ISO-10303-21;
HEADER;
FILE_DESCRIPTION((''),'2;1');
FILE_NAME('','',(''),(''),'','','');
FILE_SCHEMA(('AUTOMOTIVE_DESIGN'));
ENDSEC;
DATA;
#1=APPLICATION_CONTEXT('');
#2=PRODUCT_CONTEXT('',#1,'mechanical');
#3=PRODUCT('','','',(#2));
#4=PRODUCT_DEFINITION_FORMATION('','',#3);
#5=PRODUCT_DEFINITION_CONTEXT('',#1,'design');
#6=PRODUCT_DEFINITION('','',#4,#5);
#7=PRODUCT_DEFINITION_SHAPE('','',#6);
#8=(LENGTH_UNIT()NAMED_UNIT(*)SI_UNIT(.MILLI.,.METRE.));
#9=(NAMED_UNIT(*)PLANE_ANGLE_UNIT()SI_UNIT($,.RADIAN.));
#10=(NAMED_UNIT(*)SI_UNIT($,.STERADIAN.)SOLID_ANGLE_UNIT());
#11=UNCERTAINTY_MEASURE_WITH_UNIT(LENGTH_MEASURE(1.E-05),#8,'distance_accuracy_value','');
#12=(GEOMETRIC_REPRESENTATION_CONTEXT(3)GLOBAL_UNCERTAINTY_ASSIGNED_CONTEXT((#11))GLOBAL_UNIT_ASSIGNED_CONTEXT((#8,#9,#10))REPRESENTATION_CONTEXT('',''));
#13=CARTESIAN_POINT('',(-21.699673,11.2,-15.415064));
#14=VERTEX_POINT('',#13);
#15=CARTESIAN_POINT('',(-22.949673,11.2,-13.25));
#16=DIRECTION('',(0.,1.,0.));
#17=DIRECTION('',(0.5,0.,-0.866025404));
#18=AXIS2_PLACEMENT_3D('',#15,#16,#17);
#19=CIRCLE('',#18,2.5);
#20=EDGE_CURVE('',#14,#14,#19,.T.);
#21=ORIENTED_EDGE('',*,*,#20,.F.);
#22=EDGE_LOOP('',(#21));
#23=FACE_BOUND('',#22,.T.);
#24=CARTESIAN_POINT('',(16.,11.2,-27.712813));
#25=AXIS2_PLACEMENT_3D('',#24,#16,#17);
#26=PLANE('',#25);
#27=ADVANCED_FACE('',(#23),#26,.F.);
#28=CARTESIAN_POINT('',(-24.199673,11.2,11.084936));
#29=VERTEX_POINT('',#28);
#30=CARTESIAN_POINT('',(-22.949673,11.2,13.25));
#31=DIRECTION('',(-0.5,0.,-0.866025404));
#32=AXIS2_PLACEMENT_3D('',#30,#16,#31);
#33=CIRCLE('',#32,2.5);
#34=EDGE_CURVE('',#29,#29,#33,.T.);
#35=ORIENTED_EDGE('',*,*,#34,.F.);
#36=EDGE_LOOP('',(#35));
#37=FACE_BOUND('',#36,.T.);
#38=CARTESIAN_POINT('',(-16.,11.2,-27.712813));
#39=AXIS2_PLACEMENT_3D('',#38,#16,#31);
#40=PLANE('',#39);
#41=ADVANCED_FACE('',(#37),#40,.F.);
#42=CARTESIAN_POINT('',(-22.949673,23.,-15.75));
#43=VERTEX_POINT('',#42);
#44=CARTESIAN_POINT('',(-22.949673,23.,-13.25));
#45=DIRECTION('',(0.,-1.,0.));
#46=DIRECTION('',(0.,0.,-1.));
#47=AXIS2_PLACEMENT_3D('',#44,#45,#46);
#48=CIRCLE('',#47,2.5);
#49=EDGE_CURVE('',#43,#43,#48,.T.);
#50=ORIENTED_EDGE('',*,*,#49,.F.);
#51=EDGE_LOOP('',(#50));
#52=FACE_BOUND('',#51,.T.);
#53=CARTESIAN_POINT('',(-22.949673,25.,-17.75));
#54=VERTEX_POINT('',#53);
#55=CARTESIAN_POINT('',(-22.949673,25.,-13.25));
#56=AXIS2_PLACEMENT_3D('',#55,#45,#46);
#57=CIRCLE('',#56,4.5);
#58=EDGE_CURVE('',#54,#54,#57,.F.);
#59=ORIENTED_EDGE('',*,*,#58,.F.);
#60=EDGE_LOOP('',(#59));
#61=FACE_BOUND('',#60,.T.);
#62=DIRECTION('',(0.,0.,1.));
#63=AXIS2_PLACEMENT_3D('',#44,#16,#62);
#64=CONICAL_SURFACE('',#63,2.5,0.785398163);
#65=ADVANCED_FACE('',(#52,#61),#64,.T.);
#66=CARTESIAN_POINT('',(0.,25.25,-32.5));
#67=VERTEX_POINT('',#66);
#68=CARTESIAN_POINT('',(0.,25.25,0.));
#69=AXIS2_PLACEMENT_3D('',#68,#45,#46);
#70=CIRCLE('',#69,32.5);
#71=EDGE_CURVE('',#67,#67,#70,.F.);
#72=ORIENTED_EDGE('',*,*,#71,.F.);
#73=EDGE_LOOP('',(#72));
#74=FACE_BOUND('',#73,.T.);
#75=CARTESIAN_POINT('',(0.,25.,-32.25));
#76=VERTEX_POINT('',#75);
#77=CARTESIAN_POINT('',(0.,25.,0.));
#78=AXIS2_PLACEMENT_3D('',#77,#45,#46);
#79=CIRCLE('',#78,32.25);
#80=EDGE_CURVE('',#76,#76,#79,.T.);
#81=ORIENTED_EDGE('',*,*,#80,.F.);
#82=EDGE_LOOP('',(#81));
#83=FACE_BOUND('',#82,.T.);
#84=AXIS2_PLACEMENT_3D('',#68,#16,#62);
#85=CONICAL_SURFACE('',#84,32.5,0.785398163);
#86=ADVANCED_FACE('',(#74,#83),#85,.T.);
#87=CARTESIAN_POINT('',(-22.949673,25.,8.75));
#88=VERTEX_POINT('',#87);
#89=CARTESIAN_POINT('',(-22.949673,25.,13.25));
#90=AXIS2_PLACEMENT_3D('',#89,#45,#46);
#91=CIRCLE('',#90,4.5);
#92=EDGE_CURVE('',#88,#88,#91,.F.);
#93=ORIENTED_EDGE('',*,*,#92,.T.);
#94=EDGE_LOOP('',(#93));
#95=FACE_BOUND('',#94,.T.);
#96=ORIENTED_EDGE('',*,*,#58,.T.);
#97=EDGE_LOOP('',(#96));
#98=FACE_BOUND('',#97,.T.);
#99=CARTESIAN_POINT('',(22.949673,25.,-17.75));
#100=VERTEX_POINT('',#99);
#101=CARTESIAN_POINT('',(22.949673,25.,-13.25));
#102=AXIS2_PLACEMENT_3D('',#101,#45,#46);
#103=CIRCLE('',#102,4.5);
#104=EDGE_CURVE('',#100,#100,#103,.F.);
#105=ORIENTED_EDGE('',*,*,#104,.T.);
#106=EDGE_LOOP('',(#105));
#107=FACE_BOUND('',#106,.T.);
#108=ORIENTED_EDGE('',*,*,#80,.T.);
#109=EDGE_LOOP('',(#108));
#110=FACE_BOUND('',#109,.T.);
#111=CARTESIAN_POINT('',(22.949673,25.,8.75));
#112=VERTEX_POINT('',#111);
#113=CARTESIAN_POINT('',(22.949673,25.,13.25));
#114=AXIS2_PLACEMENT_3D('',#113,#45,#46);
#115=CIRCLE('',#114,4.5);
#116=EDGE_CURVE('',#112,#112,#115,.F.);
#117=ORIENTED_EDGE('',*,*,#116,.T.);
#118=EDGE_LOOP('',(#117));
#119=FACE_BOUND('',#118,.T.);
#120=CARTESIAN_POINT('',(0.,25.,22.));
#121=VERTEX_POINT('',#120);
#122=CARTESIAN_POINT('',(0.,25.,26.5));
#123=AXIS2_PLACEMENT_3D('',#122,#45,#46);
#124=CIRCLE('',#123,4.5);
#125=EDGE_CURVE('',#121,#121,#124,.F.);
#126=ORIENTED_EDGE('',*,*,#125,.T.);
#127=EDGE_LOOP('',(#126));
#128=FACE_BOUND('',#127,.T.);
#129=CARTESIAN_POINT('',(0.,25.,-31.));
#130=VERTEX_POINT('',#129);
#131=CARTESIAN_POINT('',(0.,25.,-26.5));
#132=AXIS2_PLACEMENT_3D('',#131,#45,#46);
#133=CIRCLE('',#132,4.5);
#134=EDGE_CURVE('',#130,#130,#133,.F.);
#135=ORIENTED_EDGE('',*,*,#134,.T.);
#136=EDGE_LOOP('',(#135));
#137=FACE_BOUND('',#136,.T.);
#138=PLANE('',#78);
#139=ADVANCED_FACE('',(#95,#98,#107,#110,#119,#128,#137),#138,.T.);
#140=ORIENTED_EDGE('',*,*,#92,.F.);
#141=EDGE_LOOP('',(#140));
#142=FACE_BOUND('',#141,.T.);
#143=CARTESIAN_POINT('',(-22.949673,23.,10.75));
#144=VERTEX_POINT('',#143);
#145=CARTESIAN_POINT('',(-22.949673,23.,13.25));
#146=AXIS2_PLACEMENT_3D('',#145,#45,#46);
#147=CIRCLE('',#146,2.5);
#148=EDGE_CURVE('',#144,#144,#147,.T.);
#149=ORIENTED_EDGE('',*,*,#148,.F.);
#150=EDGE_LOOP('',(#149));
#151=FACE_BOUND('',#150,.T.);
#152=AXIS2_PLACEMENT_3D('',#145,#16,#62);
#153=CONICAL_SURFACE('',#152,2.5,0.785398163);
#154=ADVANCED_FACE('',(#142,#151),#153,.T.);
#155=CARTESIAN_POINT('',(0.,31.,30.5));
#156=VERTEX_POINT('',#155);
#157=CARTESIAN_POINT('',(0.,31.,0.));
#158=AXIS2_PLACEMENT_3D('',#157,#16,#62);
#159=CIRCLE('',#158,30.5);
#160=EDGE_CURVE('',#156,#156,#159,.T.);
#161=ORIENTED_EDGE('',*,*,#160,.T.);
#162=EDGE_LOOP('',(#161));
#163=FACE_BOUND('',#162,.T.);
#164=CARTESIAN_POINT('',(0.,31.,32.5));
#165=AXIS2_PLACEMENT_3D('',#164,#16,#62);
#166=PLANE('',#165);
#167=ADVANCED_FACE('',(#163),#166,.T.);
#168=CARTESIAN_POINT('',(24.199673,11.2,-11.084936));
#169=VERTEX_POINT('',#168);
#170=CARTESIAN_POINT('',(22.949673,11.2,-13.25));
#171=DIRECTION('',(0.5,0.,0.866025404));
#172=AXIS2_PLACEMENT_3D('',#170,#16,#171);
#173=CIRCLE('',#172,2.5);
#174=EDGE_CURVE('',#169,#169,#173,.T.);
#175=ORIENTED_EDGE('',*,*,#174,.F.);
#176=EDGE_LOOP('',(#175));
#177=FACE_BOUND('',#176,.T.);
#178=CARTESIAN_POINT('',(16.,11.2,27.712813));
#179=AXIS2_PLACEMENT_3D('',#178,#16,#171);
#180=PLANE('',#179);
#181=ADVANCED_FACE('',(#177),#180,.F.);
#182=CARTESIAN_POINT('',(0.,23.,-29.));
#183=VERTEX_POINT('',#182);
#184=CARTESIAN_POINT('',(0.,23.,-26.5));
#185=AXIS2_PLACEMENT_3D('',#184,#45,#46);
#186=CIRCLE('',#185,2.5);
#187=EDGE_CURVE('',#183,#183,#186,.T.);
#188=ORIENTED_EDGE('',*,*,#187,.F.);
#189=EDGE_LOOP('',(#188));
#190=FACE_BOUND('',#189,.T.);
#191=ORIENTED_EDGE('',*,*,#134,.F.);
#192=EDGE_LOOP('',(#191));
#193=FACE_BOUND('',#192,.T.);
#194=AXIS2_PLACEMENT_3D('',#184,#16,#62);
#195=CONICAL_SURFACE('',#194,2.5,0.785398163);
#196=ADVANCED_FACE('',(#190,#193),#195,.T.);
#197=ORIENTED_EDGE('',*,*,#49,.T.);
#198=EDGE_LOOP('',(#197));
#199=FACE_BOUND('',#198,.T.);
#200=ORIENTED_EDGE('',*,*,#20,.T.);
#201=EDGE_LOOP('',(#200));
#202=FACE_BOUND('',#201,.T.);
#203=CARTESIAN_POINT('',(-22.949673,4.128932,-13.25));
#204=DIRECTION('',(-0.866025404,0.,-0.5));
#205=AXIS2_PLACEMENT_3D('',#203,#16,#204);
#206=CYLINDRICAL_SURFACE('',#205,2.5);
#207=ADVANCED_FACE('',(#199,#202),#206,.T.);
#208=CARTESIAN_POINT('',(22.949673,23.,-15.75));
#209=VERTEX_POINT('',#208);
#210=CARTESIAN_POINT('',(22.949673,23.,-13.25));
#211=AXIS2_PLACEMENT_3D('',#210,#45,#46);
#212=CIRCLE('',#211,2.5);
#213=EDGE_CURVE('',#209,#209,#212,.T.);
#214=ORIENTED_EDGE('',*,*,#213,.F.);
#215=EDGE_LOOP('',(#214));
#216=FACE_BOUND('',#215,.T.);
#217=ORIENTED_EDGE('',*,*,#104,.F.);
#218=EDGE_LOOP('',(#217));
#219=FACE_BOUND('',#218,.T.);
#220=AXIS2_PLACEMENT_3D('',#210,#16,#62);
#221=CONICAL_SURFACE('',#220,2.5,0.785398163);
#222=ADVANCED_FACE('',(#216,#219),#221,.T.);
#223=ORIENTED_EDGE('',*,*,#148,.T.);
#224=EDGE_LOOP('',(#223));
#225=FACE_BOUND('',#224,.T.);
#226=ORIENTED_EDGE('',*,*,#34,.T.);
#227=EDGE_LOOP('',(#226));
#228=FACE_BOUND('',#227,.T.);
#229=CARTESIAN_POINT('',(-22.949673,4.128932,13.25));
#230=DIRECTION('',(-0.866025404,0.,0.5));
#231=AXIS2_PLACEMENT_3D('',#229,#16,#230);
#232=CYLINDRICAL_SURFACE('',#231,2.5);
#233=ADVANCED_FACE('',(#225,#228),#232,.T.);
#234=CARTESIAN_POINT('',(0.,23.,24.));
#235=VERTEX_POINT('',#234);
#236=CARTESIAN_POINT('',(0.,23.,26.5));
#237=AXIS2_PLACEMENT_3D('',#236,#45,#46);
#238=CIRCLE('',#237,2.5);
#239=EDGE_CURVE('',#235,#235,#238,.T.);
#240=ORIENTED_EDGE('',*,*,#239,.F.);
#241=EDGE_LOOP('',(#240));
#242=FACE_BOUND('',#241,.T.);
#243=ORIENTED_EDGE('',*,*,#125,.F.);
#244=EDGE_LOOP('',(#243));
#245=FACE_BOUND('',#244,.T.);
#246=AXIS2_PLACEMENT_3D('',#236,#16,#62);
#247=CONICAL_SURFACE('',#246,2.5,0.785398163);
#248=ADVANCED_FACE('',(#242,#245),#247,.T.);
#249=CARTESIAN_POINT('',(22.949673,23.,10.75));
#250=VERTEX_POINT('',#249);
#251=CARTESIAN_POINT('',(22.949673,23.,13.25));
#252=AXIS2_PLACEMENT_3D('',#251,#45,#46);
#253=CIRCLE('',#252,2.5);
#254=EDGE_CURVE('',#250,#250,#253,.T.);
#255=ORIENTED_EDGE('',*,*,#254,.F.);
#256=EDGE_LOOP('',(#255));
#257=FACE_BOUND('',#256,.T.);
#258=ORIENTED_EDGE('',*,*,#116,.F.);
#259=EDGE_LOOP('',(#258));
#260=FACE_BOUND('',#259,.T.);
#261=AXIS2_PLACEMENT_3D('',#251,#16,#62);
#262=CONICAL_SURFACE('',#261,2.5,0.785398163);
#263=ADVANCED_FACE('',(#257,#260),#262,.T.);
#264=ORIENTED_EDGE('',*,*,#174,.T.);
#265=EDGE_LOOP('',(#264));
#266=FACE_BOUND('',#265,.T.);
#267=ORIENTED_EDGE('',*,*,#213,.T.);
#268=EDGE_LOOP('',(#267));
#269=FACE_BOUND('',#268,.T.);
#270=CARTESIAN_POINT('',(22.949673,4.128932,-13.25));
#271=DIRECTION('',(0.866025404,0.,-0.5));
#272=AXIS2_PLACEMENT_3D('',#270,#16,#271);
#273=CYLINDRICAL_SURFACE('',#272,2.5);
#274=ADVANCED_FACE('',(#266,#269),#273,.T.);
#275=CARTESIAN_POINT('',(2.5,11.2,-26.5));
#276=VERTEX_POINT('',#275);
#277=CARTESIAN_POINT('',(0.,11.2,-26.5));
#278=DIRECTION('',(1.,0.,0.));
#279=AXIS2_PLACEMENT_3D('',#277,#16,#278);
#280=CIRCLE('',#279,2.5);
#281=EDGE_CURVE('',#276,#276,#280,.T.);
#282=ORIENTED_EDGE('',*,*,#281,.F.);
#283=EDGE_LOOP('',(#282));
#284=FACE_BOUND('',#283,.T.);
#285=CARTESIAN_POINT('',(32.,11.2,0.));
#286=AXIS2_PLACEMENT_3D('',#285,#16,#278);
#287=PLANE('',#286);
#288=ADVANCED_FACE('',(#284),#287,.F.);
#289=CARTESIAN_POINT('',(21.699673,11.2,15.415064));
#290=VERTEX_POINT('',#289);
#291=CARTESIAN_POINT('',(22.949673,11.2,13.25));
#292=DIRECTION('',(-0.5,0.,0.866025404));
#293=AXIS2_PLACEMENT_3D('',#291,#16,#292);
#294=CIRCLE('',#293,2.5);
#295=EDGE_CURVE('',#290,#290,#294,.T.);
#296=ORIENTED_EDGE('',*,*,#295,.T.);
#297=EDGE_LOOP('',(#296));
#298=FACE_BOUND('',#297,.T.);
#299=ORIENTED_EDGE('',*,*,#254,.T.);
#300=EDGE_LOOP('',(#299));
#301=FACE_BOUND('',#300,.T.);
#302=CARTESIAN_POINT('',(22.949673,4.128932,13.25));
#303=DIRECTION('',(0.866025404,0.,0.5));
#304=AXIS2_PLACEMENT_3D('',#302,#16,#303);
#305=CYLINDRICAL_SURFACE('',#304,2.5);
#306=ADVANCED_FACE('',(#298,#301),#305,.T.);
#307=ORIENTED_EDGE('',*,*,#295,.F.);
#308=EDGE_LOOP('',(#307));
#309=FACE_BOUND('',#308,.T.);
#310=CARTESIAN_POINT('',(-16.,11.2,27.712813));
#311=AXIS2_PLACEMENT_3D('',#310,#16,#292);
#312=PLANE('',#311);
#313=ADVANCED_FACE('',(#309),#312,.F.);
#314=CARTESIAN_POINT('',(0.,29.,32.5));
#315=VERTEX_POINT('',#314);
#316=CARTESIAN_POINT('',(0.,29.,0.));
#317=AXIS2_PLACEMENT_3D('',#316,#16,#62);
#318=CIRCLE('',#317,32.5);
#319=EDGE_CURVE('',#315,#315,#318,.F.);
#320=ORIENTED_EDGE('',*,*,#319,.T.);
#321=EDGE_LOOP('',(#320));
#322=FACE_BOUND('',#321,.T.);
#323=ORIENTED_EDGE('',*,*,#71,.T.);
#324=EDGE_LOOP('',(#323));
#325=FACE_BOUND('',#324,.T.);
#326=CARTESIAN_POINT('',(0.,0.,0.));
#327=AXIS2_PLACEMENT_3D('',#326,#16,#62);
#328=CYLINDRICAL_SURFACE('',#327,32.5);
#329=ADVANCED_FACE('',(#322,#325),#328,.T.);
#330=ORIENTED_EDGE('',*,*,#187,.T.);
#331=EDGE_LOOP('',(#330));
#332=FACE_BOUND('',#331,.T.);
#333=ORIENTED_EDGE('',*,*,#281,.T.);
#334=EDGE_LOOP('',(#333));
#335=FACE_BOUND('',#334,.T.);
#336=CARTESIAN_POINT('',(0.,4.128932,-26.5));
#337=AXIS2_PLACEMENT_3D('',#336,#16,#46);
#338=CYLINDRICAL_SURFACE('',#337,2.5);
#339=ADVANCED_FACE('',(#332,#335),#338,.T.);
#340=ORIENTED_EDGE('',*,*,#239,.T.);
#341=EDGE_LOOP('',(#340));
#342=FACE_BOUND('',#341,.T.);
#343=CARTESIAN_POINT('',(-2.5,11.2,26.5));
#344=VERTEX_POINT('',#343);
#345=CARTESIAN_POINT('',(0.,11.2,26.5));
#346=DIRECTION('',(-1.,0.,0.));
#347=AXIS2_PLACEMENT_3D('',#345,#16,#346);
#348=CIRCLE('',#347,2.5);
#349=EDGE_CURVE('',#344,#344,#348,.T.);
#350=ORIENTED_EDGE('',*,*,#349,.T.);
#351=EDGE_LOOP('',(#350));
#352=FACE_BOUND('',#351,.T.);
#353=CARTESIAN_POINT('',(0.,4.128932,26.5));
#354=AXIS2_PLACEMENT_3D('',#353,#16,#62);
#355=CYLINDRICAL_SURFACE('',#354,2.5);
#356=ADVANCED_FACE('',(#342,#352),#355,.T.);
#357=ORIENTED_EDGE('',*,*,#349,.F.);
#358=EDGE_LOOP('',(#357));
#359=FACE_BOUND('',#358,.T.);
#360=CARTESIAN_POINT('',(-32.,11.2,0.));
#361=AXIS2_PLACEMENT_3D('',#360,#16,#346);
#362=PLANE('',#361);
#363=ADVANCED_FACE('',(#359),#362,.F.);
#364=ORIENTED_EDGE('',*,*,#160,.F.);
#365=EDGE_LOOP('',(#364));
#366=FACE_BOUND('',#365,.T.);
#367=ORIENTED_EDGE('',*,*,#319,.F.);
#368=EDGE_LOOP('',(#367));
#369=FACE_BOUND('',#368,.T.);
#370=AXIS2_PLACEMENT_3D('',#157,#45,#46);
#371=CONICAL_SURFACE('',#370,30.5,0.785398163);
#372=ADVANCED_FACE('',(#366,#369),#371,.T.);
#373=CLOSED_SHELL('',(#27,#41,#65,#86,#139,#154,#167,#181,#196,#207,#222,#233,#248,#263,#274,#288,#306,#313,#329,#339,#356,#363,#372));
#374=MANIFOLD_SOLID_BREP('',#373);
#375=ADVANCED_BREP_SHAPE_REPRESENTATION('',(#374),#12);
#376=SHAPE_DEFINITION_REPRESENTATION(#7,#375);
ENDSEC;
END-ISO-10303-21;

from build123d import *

# Parameters (mm, degrees)
SKETCH3_W           = 32.5
SKETCH3_H           = 6
CHAMFER2_SIZE       = 2
SKETCH4_R           = 2.5
BOSS_EXTRUDE1_DEPTH = 13.8
CIRPATTERN1_COUNT   = 6
CHAMFER3_SIZE       = 2
CHAMFER4_SIZE       = 0.25


with BuildPart() as part:
    # Sketch3 → Revolve1 (revolve)
    with BuildSketch(Plane(origin=(0, 0, 0), x_dir=(0, 0, -1), z_dir=(1, 0, 0))):
        with Locations((-16.25, 28)):
            Rectangle(SKETCH3_W, SKETCH3_H)
    revolve(axis=Axis((0, 0, 0), (0, -1, 0)))

    # Chamfer2
    chamfer2_edges = [part.edges().sort_by_distance(p)[0] for p in [
        (0, 31, -32.5),
    ]]
    chamfer(chamfer2_edges, length=CHAMFER2_SIZE)

    # Sketch4 → Boss-Extrude1 (add)
    with BuildSketch(Plane.XZ.offset(-25)):
        with Locations(Location((0, 26.5, 0), (0, 0, 180))):
            Circle(SKETCH4_R)
    boss_extrude1 = extrude(amount=BOSS_EXTRUDE1_DEPTH)

    # CirPattern1: Boss-Extrude1 ×6 about axis
    cirpattern1_axis = Axis((0, 0, 0), (0, 1, 0))
    for i in range(1, CIRPATTERN1_COUNT):
        add(boss_extrude1.rotate(cirpattern1_axis, i * 360 / CIRPATTERN1_COUNT))

    # Chamfer3
    chamfer3_edges = [part.edges().sort_by_distance(p)[0] for p in [
        (2.5, 25, 26.5),
        (24.1996732, 25, 11.084936491),
        (21.6996732, 25, -15.415063509),
        (-2.5, 25, -26.5),
        (-24.1996732, 25, -11.084936491),
        (-21.6996732, 25, 15.415063509),
    ]]
    chamfer(chamfer3_edges, length=CHAMFER3_SIZE)

    # Chamfer4
    chamfer4_edges = [part.edges().sort_by_distance(p)[0] for p in [
        (0, 25, -32.5),
    ]]
    chamfer(chamfer4_edges, length=CHAMFER4_SIZE)


solid = part.part
